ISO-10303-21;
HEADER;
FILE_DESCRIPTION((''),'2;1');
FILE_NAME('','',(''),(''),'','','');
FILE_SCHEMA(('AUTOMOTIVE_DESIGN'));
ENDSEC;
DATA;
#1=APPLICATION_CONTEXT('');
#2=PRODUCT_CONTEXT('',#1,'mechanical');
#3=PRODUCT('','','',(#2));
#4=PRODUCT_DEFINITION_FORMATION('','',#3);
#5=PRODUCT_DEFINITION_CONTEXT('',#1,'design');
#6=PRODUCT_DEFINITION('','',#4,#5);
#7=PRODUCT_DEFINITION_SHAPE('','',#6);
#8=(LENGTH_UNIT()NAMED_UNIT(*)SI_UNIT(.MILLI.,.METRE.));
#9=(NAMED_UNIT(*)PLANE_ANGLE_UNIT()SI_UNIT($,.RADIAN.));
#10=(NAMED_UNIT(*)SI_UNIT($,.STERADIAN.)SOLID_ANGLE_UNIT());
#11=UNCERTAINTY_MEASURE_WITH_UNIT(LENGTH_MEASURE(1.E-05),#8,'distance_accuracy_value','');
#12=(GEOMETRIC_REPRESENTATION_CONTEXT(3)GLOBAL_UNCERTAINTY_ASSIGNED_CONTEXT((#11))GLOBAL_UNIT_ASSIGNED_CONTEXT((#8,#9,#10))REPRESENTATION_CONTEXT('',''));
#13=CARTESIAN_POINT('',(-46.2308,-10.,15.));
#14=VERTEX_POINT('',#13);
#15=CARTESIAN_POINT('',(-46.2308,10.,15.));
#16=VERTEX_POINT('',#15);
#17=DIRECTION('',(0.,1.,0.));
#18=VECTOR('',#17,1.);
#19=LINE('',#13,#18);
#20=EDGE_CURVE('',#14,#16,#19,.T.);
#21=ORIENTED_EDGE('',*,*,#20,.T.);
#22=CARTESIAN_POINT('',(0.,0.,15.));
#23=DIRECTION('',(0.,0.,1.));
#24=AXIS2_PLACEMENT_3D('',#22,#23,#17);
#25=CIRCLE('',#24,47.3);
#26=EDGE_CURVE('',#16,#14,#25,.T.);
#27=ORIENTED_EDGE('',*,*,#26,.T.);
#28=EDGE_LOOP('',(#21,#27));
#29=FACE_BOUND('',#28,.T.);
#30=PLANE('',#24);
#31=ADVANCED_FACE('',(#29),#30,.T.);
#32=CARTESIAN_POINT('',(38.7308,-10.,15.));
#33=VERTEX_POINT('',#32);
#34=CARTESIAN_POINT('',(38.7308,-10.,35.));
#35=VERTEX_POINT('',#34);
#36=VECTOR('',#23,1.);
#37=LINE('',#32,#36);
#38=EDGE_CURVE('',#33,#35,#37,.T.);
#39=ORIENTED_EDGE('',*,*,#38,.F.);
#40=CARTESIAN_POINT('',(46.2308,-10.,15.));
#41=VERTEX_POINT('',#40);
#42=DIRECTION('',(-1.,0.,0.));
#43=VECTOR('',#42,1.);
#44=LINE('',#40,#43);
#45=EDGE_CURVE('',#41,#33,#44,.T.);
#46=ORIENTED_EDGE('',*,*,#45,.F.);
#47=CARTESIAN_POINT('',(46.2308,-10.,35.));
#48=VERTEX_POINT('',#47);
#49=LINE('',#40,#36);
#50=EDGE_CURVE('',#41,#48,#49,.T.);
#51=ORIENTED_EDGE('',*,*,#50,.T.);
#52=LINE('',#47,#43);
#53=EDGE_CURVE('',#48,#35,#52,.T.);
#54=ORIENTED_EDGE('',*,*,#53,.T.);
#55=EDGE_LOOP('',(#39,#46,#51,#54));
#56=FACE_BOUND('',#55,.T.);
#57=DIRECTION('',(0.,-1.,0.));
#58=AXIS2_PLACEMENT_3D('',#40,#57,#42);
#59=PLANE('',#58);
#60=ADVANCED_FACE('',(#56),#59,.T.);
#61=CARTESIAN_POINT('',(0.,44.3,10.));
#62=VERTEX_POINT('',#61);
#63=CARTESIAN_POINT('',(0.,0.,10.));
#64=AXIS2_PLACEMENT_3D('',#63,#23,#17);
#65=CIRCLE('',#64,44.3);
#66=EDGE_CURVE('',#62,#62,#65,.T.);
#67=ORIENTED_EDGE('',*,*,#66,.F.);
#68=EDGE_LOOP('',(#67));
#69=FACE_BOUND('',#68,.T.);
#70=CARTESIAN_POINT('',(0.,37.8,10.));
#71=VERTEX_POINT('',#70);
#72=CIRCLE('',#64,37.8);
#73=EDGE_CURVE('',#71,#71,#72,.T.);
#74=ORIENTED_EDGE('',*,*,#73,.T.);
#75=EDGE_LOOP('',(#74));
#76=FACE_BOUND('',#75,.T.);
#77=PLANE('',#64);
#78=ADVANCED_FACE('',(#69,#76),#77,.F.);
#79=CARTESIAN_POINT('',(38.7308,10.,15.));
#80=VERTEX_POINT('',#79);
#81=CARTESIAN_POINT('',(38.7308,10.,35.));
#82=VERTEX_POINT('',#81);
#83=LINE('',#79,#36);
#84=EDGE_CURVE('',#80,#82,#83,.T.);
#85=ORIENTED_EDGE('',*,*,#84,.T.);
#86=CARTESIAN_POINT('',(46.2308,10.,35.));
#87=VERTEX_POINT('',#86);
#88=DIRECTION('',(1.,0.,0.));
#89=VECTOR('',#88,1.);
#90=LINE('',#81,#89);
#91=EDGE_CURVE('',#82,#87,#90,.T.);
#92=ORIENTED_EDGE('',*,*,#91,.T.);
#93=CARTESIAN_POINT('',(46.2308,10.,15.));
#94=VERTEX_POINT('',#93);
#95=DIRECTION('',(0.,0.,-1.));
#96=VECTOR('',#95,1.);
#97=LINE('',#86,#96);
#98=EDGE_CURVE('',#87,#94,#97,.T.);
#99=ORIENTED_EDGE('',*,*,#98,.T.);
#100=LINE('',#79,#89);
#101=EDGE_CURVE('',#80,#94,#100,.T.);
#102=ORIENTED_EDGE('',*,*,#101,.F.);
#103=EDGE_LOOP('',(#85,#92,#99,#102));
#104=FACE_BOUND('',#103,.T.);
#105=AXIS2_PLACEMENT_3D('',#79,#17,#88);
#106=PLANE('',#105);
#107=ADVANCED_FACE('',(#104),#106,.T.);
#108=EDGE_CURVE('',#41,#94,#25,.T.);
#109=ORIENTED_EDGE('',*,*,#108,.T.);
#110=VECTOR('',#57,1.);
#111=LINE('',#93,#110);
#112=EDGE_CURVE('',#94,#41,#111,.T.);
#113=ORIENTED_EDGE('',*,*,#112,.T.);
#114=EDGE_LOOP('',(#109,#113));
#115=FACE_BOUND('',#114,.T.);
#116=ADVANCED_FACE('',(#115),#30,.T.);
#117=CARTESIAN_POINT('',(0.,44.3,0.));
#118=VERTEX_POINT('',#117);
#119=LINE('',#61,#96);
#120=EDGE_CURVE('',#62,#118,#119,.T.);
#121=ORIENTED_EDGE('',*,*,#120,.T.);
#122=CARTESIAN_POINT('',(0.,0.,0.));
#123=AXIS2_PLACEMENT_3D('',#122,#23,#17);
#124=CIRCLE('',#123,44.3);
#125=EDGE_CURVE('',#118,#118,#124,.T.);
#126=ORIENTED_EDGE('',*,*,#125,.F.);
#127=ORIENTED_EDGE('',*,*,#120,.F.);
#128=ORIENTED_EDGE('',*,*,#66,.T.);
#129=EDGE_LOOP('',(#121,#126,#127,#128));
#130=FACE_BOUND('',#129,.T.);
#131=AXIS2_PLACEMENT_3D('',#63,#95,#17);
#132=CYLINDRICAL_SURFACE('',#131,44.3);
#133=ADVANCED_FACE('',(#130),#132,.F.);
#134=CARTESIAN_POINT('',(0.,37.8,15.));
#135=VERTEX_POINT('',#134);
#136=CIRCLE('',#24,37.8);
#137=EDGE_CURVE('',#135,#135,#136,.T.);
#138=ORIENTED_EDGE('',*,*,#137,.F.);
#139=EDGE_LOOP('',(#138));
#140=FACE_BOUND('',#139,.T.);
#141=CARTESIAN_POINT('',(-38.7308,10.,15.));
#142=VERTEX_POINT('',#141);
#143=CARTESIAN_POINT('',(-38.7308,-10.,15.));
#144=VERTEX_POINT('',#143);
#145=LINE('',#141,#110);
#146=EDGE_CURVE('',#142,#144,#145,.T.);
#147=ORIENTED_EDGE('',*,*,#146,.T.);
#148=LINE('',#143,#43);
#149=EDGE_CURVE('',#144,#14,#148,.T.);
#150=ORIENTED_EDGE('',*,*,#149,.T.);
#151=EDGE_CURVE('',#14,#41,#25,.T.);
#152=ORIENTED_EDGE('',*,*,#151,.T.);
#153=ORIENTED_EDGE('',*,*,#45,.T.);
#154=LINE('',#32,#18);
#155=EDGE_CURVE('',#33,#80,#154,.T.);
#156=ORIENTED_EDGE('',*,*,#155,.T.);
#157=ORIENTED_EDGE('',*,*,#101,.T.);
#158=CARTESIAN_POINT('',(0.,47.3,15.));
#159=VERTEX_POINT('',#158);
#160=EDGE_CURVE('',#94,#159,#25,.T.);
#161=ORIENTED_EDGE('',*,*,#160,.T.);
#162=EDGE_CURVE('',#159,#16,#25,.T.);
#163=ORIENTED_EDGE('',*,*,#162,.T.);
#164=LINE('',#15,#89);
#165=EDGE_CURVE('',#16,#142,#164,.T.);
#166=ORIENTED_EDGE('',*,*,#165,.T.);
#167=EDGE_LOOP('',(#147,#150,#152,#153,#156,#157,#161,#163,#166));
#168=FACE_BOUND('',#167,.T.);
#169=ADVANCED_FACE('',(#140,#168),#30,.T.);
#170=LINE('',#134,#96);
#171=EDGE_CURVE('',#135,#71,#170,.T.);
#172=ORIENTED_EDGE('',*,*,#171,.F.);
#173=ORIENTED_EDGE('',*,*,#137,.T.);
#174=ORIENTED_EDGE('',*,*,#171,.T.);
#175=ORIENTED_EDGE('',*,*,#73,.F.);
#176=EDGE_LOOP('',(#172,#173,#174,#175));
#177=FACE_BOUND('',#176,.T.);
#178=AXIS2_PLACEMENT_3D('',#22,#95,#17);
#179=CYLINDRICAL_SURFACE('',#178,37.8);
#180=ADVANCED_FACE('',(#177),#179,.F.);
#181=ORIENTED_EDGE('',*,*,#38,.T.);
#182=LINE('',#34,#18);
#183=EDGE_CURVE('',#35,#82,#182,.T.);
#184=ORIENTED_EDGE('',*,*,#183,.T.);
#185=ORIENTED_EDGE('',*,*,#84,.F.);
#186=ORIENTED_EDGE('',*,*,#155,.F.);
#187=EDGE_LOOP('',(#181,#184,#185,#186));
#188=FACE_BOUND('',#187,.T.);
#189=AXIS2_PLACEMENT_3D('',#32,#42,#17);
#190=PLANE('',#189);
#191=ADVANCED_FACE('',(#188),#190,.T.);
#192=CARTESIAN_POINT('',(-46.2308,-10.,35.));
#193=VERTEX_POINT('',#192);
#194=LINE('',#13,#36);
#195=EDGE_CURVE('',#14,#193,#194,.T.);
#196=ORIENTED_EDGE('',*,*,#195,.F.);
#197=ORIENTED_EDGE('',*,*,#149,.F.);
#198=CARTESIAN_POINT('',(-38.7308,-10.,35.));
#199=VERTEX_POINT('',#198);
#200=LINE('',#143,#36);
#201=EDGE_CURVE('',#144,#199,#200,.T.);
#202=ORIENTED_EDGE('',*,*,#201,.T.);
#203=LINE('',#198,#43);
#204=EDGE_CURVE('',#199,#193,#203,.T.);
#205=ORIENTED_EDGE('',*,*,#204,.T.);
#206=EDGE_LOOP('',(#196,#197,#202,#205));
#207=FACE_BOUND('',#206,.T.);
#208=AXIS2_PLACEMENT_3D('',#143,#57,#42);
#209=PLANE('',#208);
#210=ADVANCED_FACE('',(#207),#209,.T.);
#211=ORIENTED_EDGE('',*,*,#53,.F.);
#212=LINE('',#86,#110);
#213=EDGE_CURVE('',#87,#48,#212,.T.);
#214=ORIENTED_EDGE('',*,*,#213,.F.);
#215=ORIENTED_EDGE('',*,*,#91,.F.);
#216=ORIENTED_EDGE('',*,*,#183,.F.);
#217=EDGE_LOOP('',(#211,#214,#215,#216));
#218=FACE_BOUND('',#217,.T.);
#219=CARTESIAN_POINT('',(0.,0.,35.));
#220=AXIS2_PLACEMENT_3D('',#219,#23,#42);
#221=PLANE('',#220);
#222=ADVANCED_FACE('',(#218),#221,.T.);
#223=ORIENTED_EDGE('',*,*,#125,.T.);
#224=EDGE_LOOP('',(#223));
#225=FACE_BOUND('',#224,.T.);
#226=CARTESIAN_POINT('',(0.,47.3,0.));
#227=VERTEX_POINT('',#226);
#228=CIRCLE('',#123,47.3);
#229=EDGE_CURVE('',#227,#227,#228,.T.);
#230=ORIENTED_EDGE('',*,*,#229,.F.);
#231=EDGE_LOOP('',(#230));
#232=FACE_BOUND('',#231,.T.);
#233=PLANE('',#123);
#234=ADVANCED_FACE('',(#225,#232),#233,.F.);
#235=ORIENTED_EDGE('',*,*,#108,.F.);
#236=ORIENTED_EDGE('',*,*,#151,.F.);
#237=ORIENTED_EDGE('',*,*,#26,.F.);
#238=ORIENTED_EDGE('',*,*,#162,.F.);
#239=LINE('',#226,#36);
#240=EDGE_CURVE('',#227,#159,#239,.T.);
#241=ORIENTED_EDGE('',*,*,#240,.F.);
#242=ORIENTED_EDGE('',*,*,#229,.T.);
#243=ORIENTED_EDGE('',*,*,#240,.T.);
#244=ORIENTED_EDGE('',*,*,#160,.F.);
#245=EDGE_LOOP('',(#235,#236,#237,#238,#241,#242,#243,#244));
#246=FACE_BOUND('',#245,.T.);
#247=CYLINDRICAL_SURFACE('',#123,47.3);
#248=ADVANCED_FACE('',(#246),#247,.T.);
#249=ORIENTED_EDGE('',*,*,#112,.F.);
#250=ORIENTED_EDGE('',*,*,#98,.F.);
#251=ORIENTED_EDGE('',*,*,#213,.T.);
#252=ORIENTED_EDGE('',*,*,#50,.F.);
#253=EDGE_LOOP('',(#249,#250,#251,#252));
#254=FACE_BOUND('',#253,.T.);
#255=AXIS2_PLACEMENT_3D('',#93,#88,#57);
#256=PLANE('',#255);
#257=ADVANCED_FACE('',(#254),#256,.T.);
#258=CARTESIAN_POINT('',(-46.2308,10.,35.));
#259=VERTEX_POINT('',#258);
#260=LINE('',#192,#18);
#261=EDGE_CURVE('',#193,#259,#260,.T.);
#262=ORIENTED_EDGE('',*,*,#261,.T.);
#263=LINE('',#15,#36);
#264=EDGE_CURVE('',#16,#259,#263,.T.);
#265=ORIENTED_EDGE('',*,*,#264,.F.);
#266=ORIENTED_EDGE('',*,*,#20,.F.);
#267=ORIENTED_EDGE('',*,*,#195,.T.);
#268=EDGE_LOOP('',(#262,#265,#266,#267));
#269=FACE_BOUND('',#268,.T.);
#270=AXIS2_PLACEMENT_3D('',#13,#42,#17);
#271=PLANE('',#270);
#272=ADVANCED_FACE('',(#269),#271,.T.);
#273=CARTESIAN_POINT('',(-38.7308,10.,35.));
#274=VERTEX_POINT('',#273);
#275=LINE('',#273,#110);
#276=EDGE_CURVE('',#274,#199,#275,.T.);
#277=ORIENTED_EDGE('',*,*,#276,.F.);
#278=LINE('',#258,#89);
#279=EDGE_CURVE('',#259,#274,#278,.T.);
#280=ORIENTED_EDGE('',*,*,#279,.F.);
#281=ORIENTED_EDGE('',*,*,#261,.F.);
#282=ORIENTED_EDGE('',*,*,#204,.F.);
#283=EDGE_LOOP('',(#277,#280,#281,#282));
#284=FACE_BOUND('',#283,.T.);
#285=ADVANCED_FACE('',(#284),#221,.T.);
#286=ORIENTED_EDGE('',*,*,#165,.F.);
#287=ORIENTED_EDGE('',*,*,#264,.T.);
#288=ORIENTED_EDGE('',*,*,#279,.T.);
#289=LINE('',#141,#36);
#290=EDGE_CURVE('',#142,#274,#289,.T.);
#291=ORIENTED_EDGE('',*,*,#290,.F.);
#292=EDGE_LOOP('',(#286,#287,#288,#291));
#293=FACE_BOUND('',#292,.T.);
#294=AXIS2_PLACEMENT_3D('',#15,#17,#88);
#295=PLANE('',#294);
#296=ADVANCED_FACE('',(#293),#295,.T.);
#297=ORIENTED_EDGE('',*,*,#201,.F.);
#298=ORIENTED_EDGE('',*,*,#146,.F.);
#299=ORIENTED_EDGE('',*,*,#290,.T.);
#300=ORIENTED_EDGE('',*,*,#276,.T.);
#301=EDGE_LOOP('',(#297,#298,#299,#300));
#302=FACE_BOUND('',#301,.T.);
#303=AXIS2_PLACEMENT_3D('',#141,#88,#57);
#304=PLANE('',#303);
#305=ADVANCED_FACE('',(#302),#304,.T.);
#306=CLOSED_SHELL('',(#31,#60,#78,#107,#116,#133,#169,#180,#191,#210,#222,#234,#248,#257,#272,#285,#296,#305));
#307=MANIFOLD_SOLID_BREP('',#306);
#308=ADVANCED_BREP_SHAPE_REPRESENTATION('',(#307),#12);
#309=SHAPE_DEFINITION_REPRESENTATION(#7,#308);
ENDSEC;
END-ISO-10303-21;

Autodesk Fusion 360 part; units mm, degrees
sketch "Sketch1" plane through (0, 0, 0) normal (1, 0, 0) x (0, 1, 0)
  line L0 (44.3, 0) -> (47.3, 0)
  line L1 (47.3, 0) -> (47.3, 15)
  line L2 (47.3, 15) -> (37.8, 15)
  line L3 (37.8, 15) -> (37.8, 10)
  line L4 (37.8, 10) -> (44.3, 10)
  line L5 (44.3, 10) -> (44.3, 0)
  dimension "d1" = 3
  dimension "d2" = 6.5
  dimension "d3" = 44.3
  dimension "d4" = 10
  dimension "d5" = 5
revolve "Revolve1" add sketch "Sketch1" angle 360 about axis through (0, 0, 1.75) along (0, 0, 1)
sketch "Sketch2" plane through (0, 0, 15) normal (0, 0, 1) x (-1, 0, 0)
  circle A0 centre (0, 0) radius 37.8
  circle A1 centre (0, 0) radius 47.3
  line L0 (46.2308, -10) -> (38.7308, -10)
  line L1 (38.7308, -10) -> (38.7308, 10)
  line L2 (38.7308, 10) -> (46.2308, 10)
  line L3 (46.2308, 10) -> (46.2308, -10)
  line L4 (-38.7308, -10) -> (-46.2308, -10)
  line L5 (-46.2308, -10) -> (-46.2308, 10)
  line L6 (-46.2308, 10) -> (-38.7308, 10)
  line L7 (-38.7308, 10) -> (-38.7308, -10)
  dimension "d7" = 7.5
  dimension "d8" = 20
extrude "Extrude1" add sketch "Sketch2" along normal blind 20 contours L0 L1 L2 L3 | L4 L5 L6 L7
sketch "Sketch3" plane through (46.2308, 0, 0) normal (1, 0, 0) x (0, 1, 0)
  line L0 (-10, 15) -> (10, 15)
  line L1 (10, 15) -> (10, 35)
  line L2 (10, 35) -> (-10, 35)
  line L3 (-10, 35) -> (-10, 15)
  circle A0 centre (0, 25) radius 10
  circle A1 centre (0, 25) radius 3.5
  dimension "d11" = 7
extrude "Extrude2" cut sketch "Sketch3" along normal through all contours L2 L3 A0 | L1 L2 A0 | A1
